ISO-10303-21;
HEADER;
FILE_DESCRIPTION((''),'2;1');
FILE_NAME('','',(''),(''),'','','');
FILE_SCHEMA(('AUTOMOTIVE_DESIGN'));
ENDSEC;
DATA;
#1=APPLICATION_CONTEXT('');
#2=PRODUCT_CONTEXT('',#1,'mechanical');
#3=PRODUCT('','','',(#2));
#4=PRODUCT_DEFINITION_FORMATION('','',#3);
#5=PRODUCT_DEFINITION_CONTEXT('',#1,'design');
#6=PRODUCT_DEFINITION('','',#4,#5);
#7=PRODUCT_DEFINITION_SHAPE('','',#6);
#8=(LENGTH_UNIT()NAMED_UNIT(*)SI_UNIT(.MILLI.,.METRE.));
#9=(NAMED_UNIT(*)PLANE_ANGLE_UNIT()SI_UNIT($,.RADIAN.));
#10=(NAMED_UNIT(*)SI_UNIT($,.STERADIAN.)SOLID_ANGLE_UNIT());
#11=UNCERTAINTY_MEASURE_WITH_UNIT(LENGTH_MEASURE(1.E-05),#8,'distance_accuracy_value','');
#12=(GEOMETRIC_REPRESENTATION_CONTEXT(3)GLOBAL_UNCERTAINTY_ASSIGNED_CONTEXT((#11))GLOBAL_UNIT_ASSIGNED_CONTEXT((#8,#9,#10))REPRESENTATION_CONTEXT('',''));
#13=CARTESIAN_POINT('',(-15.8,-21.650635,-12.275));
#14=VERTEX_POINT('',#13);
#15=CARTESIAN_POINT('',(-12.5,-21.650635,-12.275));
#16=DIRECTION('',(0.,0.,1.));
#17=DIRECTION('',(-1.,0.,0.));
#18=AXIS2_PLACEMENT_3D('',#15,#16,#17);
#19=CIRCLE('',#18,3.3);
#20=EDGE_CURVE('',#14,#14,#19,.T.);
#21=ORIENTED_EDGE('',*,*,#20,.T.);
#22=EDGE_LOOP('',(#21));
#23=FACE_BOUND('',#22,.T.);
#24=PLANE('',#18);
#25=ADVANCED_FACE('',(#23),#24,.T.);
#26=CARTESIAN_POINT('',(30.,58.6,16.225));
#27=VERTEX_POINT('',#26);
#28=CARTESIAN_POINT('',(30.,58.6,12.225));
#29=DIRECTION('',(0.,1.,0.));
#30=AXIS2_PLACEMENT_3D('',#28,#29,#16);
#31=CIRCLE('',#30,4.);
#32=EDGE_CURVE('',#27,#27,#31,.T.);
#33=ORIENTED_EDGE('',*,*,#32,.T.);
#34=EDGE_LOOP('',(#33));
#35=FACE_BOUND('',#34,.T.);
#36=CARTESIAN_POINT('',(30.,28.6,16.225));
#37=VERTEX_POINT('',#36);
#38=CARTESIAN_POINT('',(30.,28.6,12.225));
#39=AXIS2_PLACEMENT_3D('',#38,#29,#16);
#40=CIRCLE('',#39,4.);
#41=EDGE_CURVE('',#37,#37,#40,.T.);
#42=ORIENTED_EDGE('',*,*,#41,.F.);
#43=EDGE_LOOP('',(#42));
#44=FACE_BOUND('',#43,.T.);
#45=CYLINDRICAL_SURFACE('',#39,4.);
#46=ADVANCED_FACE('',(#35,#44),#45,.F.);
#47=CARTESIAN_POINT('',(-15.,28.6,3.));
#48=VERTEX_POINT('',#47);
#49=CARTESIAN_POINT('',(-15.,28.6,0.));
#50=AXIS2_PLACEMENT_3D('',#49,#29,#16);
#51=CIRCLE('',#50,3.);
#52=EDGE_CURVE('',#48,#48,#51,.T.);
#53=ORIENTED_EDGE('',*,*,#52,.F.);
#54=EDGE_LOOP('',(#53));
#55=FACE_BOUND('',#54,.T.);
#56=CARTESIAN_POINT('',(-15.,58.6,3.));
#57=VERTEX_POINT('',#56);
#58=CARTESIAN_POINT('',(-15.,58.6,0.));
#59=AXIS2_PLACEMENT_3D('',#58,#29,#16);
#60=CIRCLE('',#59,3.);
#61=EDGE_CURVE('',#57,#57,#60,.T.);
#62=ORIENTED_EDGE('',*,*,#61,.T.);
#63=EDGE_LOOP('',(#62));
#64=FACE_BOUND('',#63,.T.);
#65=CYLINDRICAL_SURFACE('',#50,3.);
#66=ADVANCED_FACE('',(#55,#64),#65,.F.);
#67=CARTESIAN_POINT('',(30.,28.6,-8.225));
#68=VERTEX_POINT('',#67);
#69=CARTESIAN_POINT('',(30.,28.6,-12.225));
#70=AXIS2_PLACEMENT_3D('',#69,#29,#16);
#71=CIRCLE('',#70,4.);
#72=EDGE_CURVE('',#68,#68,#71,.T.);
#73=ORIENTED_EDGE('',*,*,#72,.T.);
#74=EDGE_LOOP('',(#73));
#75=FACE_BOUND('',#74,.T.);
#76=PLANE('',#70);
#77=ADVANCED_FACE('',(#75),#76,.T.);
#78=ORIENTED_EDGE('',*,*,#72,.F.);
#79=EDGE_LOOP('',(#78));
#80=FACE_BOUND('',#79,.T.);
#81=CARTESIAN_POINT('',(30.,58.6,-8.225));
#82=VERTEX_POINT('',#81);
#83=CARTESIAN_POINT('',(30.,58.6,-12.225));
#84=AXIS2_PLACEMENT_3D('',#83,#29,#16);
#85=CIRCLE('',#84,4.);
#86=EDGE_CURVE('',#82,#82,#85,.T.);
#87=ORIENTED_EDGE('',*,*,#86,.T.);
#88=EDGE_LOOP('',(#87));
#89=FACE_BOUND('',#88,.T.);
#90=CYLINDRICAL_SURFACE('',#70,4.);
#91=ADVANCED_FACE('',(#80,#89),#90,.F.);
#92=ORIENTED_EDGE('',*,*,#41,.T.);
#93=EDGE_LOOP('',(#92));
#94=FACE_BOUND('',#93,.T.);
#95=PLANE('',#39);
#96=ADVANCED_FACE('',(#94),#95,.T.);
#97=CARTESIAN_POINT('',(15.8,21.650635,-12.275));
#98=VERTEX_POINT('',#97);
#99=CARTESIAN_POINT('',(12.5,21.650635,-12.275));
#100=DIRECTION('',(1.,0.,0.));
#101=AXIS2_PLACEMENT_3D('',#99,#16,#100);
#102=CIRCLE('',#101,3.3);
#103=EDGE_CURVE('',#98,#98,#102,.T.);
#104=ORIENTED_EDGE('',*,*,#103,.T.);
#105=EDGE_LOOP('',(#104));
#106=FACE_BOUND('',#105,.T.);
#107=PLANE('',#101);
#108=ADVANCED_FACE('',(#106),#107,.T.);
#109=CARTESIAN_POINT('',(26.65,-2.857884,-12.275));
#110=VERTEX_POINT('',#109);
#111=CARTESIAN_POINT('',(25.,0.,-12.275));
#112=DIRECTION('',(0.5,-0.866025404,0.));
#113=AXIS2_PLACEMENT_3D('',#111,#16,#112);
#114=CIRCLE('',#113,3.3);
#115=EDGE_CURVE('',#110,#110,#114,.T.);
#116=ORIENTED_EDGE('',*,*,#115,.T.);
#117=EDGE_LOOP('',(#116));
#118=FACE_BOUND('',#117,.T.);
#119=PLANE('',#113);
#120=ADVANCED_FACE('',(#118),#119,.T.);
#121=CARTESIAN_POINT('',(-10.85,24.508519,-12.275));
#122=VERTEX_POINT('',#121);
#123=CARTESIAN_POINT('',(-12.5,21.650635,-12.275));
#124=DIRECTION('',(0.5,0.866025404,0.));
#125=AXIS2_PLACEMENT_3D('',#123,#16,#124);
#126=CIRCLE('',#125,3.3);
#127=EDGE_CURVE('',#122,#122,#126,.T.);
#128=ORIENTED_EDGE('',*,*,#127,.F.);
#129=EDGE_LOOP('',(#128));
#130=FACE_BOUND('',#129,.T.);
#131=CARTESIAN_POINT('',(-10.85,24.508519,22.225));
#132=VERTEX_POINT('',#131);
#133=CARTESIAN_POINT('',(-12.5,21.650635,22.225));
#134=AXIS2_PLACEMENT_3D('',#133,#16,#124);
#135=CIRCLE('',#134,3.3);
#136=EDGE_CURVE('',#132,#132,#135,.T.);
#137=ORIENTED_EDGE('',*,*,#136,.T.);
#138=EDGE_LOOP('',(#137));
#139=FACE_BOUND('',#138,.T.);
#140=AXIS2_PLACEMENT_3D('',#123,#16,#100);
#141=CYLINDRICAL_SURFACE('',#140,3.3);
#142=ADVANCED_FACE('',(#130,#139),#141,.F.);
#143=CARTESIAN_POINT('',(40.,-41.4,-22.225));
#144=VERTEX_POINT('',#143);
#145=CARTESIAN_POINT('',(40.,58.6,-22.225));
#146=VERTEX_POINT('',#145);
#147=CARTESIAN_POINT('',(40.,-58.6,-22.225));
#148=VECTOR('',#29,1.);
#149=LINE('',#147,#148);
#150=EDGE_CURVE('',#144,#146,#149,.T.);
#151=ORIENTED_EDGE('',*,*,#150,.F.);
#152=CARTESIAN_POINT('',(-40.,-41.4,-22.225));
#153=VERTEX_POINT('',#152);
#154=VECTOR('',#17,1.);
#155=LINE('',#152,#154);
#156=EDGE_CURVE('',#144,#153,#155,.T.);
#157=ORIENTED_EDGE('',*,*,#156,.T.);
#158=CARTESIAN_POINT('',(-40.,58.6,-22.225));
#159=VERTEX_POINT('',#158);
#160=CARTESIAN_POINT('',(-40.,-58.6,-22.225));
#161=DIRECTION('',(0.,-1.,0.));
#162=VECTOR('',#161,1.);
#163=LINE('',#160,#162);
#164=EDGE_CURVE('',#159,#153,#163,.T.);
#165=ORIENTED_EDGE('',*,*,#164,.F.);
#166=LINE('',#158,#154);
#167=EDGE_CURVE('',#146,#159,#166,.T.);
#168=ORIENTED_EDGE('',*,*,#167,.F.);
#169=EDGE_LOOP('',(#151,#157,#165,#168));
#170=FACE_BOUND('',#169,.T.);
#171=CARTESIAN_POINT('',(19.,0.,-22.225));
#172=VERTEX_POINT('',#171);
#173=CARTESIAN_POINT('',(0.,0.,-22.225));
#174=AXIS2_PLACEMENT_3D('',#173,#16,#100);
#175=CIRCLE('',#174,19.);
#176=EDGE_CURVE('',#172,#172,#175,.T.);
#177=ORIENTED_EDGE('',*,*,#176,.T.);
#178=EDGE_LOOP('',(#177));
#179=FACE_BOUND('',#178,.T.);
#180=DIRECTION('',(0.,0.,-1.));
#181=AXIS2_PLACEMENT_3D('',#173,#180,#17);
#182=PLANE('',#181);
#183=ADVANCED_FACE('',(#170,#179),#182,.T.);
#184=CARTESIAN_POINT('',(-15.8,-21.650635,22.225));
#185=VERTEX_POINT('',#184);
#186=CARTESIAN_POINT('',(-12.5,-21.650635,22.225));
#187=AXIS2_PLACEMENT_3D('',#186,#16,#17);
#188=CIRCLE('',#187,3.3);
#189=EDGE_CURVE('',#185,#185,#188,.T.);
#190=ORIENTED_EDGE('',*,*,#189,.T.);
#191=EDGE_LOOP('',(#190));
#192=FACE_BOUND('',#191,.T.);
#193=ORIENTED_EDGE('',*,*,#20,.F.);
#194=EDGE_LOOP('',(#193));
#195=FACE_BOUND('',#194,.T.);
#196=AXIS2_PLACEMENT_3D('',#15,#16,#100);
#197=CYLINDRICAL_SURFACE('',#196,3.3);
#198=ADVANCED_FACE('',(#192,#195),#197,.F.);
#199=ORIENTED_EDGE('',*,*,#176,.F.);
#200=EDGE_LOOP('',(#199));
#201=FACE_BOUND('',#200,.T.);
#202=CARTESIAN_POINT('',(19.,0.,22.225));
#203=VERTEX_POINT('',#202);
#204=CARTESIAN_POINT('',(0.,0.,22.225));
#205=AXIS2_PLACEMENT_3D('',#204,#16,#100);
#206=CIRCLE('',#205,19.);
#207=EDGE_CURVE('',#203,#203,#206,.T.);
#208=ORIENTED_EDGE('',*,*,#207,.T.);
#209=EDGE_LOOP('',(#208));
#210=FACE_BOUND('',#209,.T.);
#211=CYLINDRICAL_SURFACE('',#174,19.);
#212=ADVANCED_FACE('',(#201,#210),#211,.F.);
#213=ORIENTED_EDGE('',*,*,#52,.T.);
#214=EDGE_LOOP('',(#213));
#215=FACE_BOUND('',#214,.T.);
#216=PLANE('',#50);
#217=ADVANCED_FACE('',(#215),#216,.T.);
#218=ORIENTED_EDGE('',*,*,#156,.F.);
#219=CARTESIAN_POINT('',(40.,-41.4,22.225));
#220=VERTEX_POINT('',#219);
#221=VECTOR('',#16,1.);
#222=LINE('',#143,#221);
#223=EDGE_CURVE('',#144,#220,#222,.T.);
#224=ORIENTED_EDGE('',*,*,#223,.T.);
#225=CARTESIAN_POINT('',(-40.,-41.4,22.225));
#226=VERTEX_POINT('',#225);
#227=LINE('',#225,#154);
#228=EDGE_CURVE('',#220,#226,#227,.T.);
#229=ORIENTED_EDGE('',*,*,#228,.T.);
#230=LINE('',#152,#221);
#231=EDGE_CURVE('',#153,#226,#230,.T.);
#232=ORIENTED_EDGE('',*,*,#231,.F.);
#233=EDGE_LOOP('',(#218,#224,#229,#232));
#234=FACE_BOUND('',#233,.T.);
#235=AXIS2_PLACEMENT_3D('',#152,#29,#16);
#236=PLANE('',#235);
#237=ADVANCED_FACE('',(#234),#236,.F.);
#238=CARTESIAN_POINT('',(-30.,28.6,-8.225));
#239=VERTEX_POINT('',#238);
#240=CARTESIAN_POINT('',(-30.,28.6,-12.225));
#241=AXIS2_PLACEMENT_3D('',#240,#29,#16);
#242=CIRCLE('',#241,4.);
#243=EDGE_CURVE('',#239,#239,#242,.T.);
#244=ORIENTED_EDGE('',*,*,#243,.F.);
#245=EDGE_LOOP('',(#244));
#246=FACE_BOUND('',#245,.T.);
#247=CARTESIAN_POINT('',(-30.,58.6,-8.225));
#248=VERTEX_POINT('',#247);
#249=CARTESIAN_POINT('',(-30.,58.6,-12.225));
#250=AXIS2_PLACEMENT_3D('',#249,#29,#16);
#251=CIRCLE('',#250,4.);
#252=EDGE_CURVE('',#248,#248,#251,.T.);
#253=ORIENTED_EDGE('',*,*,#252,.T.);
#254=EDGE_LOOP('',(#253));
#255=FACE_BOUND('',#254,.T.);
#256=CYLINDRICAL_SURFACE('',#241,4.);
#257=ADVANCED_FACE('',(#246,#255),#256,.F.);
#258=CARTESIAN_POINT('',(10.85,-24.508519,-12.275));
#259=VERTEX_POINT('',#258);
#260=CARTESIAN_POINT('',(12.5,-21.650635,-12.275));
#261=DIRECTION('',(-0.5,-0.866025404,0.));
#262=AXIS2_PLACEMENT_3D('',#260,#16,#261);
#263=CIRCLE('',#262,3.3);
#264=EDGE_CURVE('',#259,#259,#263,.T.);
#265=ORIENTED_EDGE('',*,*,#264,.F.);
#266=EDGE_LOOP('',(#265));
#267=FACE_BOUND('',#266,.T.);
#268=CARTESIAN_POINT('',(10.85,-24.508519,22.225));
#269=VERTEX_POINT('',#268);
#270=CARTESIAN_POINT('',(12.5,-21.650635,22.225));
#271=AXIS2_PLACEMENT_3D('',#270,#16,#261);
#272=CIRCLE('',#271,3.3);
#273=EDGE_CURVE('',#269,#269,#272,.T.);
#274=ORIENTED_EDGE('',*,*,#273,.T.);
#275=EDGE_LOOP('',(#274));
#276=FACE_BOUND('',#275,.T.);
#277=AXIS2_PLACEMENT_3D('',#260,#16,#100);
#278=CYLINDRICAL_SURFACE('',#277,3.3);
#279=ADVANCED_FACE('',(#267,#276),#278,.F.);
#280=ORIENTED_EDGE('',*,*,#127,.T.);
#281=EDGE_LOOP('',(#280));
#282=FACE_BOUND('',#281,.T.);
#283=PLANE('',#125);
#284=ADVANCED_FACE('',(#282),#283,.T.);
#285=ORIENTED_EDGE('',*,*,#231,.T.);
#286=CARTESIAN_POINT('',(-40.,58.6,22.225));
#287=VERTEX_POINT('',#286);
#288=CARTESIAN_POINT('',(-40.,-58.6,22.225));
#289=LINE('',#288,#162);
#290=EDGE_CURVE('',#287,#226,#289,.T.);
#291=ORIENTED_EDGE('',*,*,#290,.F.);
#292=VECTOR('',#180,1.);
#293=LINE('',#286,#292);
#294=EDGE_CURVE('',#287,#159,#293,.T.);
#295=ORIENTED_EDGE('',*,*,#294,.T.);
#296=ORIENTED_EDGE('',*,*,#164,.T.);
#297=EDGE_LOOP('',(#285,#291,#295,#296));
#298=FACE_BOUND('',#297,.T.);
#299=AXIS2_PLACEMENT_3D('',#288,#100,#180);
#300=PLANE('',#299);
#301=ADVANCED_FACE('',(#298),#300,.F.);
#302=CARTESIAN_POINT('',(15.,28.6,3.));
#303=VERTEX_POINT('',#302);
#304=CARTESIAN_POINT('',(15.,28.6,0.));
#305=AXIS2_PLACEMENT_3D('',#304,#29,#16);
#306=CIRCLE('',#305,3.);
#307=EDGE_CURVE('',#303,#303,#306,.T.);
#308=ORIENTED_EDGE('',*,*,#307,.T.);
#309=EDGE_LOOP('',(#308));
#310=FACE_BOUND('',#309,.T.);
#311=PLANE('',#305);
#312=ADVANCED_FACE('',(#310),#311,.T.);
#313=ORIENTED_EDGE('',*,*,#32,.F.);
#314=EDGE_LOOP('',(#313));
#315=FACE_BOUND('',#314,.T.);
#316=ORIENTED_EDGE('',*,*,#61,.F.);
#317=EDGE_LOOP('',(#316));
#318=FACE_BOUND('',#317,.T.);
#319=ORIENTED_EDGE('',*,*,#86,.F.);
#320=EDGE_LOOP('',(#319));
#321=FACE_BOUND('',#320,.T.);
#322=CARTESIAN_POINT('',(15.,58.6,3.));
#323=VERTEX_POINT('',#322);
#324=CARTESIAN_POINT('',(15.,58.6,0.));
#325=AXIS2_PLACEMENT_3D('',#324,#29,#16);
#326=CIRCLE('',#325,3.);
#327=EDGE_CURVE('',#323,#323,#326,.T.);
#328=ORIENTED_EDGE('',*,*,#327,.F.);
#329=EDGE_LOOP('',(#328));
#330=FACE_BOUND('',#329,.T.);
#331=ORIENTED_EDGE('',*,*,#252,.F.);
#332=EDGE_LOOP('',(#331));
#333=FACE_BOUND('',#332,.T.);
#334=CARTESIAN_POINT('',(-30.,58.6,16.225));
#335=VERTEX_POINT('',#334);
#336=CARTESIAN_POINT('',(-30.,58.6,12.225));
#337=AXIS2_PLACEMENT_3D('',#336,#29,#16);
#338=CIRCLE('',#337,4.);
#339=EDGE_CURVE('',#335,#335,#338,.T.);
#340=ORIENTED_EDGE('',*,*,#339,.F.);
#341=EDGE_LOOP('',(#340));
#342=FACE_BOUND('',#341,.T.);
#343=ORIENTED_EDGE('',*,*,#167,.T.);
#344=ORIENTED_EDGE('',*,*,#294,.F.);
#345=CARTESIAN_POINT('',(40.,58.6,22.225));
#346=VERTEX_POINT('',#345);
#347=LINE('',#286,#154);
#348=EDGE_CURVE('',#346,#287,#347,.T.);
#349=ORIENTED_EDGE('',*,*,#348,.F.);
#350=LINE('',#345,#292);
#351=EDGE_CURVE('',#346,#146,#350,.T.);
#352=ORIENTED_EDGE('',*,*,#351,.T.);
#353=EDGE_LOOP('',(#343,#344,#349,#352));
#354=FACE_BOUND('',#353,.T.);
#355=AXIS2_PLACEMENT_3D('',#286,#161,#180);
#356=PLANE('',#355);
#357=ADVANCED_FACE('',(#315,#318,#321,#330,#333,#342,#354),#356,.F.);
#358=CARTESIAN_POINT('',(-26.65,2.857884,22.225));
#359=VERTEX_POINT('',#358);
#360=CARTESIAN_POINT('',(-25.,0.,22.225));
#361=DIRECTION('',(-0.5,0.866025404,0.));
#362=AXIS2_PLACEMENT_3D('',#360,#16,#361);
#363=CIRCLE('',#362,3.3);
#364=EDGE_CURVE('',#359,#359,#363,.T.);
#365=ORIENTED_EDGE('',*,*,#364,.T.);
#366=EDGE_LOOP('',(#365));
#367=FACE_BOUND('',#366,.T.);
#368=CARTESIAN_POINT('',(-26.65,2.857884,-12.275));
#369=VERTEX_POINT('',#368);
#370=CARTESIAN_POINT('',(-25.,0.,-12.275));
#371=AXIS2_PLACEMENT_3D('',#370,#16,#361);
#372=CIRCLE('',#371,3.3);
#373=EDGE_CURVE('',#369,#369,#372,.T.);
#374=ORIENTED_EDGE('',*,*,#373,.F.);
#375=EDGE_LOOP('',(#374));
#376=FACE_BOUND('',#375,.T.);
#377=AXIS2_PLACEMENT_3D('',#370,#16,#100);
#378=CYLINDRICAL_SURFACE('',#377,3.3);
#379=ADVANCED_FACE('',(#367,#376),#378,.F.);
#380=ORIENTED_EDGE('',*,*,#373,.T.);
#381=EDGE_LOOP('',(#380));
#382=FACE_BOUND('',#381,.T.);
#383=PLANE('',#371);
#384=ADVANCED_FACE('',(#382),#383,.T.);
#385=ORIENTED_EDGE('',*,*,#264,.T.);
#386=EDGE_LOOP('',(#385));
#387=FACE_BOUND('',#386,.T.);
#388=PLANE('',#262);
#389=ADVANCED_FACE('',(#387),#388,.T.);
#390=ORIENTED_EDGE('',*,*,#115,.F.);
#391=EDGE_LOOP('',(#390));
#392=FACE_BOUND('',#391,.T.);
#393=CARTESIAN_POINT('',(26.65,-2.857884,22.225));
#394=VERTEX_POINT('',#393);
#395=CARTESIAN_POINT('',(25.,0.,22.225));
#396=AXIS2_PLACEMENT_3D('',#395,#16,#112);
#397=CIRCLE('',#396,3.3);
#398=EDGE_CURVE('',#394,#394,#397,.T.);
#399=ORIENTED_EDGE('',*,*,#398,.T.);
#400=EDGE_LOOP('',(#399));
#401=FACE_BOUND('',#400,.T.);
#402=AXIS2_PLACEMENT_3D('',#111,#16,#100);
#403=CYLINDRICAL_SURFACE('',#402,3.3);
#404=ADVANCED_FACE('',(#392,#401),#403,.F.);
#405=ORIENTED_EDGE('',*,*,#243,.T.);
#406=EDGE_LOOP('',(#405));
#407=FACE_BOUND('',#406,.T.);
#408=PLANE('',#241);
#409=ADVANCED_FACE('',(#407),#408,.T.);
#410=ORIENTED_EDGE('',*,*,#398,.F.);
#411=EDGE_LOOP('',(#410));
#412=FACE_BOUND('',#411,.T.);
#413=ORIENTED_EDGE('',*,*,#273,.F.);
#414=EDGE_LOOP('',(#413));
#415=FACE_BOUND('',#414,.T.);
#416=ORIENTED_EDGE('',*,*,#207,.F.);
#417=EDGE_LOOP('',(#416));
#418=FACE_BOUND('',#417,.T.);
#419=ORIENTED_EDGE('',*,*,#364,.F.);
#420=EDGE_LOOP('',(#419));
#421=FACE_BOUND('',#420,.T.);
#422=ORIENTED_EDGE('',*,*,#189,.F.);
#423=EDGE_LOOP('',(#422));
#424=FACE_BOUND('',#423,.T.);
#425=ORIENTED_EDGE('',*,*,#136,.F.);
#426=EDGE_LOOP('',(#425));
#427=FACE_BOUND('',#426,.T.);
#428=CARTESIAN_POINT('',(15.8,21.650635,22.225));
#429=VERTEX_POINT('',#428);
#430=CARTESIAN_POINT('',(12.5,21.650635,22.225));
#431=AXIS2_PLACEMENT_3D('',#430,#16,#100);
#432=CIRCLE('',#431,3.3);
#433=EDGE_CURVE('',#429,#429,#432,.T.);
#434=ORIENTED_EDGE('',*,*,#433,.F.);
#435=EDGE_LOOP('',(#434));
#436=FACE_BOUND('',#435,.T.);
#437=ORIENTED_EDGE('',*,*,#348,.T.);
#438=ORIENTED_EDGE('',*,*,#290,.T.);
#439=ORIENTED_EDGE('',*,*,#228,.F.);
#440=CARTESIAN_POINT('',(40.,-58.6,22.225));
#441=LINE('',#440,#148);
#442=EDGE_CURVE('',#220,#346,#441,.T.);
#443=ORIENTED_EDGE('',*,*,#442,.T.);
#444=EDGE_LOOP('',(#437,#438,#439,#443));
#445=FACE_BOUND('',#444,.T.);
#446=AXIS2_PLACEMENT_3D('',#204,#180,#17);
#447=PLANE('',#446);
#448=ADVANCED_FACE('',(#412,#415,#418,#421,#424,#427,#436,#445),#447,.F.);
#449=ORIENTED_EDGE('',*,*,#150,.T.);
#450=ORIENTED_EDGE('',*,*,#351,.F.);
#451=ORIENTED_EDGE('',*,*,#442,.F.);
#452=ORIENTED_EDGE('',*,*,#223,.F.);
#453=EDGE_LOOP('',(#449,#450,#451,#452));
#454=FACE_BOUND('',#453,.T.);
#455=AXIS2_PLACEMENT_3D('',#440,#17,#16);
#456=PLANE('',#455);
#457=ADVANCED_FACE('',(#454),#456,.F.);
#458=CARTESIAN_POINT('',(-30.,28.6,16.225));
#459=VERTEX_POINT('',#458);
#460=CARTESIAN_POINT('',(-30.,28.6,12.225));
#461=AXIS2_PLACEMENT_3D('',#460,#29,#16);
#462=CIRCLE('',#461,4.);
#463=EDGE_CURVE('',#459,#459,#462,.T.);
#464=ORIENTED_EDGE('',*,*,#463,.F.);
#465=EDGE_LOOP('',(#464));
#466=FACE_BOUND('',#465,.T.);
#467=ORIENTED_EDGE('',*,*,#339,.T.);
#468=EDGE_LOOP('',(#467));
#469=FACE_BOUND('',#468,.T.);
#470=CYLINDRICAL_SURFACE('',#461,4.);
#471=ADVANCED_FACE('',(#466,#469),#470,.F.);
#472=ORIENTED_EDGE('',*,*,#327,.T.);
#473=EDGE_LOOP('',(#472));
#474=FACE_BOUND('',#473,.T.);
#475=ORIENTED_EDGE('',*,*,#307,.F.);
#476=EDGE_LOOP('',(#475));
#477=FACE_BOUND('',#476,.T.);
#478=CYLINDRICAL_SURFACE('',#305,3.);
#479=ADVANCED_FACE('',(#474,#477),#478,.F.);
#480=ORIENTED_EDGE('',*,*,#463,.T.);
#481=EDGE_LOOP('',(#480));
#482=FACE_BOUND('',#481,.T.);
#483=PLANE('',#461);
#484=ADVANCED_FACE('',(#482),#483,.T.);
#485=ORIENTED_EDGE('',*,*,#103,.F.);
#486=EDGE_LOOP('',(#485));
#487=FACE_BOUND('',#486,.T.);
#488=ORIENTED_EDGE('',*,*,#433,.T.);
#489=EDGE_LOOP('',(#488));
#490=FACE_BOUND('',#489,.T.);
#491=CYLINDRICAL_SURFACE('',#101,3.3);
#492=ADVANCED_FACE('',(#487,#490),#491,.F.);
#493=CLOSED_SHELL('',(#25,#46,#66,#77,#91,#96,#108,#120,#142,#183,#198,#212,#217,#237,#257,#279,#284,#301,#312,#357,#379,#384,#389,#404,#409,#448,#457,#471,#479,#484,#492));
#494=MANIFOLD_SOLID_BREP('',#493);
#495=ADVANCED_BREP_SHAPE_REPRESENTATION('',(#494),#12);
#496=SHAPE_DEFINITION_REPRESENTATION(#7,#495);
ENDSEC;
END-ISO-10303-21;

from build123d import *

# Parameters (mm, degrees)
ESBO_O2_W                = 80
ESBO_O2_H                = 117.2
RESSALTO_EXTRUS_O2_DEPTH = 22.225
ESBO_O3_R                = 19
CORTE_EXTRUS_O1_DEPTH    = 45.45
ESBO_O4_R                = 3.3
CORTE_EXTRUS_O2_DEPTH    = 34.5
PADR_OCIRCULAR1_COUNT    = 6
ESBO_O10_R               = 4
ESBO_O10_R_2             = 3
CORTE_EXTRUS_O5_DEPTH    = 30
ESBO_O12_W               = 80
ESBO_O12_H               = 17.2
CORTE_EXTRUS_O7_DEPTH    = 45.45


with BuildPart() as part:
    # Esboço2 → Ressalto-extrusão2 (new body, symmetric)
    with BuildSketch(Plane.XY):
        Rectangle(ESBO_O2_W, ESBO_O2_H)
    extrude(amount=RESSALTO_EXTRUS_O2_DEPTH, both=True)

    # Esboço3 → Corte-extrusão1 (cut, through all)
    with BuildSketch(Plane.XY.offset(22.225)):
        Circle(ESBO_O3_R)
    extrude(amount=-CORTE_EXTRUS_O1_DEPTH, mode=Mode.SUBTRACT)

    # Esboço4 → Corte-extrusão2 (cut)
    with BuildSketch(Plane.XY.offset(22.225)):
        with Locations((12.5, 21.650635095)):
            Circle(ESBO_O4_R)
    corte_extrus_o2 = extrude(amount=-CORTE_EXTRUS_O2_DEPTH, mode=Mode.SUBTRACT)

    # PadrãoCircular1: Corte-extrusão2 ×6 about axis
    padr_ocircular1_axis = Axis((0, 0, 0), (0, 0, 1))
    for i in range(1, PADR_OCIRCULAR1_COUNT):
        add(corte_extrus_o2.rotate(padr_ocircular1_axis, i * 360 / PADR_OCIRCULAR1_COUNT), mode=Mode.SUBTRACT)

    # Esboço10 → Corte-extrusão5 (cut)
    with BuildSketch(Plane(origin=(0, 58.6, 0), x_dir=(1, 0, 0), z_dir=(0, 1, 0))):
        with Locations((-30, 12.225)):
            Circle(ESBO_O10_R)
        with Locations((30, 12.225)):
            Circle(ESBO_O10_R)
        with Locations((-30, -12.225)):
            Circle(ESBO_O10_R)
        with Locations((30, -12.225)):
            Circle(ESBO_O10_R)
        with Locations((-15, 0)):
            Circle(ESBO_O10_R_2)
        with Locations((15, 0)):
            Circle(ESBO_O10_R_2)
    extrude(amount=-CORTE_EXTRUS_O5_DEPTH, mode=Mode.SUBTRACT)

    # Esboço12 → Corte-extrusão7 (cut, through all)
    with BuildSketch(Plane.XY.offset(22.225)):
        with Locations((0, -50)):
            Rectangle(ESBO_O12_W, ESBO_O12_H)
    extrude(amount=-CORTE_EXTRUS_O7_DEPTH, mode=Mode.SUBTRACT)


solid = part.part
